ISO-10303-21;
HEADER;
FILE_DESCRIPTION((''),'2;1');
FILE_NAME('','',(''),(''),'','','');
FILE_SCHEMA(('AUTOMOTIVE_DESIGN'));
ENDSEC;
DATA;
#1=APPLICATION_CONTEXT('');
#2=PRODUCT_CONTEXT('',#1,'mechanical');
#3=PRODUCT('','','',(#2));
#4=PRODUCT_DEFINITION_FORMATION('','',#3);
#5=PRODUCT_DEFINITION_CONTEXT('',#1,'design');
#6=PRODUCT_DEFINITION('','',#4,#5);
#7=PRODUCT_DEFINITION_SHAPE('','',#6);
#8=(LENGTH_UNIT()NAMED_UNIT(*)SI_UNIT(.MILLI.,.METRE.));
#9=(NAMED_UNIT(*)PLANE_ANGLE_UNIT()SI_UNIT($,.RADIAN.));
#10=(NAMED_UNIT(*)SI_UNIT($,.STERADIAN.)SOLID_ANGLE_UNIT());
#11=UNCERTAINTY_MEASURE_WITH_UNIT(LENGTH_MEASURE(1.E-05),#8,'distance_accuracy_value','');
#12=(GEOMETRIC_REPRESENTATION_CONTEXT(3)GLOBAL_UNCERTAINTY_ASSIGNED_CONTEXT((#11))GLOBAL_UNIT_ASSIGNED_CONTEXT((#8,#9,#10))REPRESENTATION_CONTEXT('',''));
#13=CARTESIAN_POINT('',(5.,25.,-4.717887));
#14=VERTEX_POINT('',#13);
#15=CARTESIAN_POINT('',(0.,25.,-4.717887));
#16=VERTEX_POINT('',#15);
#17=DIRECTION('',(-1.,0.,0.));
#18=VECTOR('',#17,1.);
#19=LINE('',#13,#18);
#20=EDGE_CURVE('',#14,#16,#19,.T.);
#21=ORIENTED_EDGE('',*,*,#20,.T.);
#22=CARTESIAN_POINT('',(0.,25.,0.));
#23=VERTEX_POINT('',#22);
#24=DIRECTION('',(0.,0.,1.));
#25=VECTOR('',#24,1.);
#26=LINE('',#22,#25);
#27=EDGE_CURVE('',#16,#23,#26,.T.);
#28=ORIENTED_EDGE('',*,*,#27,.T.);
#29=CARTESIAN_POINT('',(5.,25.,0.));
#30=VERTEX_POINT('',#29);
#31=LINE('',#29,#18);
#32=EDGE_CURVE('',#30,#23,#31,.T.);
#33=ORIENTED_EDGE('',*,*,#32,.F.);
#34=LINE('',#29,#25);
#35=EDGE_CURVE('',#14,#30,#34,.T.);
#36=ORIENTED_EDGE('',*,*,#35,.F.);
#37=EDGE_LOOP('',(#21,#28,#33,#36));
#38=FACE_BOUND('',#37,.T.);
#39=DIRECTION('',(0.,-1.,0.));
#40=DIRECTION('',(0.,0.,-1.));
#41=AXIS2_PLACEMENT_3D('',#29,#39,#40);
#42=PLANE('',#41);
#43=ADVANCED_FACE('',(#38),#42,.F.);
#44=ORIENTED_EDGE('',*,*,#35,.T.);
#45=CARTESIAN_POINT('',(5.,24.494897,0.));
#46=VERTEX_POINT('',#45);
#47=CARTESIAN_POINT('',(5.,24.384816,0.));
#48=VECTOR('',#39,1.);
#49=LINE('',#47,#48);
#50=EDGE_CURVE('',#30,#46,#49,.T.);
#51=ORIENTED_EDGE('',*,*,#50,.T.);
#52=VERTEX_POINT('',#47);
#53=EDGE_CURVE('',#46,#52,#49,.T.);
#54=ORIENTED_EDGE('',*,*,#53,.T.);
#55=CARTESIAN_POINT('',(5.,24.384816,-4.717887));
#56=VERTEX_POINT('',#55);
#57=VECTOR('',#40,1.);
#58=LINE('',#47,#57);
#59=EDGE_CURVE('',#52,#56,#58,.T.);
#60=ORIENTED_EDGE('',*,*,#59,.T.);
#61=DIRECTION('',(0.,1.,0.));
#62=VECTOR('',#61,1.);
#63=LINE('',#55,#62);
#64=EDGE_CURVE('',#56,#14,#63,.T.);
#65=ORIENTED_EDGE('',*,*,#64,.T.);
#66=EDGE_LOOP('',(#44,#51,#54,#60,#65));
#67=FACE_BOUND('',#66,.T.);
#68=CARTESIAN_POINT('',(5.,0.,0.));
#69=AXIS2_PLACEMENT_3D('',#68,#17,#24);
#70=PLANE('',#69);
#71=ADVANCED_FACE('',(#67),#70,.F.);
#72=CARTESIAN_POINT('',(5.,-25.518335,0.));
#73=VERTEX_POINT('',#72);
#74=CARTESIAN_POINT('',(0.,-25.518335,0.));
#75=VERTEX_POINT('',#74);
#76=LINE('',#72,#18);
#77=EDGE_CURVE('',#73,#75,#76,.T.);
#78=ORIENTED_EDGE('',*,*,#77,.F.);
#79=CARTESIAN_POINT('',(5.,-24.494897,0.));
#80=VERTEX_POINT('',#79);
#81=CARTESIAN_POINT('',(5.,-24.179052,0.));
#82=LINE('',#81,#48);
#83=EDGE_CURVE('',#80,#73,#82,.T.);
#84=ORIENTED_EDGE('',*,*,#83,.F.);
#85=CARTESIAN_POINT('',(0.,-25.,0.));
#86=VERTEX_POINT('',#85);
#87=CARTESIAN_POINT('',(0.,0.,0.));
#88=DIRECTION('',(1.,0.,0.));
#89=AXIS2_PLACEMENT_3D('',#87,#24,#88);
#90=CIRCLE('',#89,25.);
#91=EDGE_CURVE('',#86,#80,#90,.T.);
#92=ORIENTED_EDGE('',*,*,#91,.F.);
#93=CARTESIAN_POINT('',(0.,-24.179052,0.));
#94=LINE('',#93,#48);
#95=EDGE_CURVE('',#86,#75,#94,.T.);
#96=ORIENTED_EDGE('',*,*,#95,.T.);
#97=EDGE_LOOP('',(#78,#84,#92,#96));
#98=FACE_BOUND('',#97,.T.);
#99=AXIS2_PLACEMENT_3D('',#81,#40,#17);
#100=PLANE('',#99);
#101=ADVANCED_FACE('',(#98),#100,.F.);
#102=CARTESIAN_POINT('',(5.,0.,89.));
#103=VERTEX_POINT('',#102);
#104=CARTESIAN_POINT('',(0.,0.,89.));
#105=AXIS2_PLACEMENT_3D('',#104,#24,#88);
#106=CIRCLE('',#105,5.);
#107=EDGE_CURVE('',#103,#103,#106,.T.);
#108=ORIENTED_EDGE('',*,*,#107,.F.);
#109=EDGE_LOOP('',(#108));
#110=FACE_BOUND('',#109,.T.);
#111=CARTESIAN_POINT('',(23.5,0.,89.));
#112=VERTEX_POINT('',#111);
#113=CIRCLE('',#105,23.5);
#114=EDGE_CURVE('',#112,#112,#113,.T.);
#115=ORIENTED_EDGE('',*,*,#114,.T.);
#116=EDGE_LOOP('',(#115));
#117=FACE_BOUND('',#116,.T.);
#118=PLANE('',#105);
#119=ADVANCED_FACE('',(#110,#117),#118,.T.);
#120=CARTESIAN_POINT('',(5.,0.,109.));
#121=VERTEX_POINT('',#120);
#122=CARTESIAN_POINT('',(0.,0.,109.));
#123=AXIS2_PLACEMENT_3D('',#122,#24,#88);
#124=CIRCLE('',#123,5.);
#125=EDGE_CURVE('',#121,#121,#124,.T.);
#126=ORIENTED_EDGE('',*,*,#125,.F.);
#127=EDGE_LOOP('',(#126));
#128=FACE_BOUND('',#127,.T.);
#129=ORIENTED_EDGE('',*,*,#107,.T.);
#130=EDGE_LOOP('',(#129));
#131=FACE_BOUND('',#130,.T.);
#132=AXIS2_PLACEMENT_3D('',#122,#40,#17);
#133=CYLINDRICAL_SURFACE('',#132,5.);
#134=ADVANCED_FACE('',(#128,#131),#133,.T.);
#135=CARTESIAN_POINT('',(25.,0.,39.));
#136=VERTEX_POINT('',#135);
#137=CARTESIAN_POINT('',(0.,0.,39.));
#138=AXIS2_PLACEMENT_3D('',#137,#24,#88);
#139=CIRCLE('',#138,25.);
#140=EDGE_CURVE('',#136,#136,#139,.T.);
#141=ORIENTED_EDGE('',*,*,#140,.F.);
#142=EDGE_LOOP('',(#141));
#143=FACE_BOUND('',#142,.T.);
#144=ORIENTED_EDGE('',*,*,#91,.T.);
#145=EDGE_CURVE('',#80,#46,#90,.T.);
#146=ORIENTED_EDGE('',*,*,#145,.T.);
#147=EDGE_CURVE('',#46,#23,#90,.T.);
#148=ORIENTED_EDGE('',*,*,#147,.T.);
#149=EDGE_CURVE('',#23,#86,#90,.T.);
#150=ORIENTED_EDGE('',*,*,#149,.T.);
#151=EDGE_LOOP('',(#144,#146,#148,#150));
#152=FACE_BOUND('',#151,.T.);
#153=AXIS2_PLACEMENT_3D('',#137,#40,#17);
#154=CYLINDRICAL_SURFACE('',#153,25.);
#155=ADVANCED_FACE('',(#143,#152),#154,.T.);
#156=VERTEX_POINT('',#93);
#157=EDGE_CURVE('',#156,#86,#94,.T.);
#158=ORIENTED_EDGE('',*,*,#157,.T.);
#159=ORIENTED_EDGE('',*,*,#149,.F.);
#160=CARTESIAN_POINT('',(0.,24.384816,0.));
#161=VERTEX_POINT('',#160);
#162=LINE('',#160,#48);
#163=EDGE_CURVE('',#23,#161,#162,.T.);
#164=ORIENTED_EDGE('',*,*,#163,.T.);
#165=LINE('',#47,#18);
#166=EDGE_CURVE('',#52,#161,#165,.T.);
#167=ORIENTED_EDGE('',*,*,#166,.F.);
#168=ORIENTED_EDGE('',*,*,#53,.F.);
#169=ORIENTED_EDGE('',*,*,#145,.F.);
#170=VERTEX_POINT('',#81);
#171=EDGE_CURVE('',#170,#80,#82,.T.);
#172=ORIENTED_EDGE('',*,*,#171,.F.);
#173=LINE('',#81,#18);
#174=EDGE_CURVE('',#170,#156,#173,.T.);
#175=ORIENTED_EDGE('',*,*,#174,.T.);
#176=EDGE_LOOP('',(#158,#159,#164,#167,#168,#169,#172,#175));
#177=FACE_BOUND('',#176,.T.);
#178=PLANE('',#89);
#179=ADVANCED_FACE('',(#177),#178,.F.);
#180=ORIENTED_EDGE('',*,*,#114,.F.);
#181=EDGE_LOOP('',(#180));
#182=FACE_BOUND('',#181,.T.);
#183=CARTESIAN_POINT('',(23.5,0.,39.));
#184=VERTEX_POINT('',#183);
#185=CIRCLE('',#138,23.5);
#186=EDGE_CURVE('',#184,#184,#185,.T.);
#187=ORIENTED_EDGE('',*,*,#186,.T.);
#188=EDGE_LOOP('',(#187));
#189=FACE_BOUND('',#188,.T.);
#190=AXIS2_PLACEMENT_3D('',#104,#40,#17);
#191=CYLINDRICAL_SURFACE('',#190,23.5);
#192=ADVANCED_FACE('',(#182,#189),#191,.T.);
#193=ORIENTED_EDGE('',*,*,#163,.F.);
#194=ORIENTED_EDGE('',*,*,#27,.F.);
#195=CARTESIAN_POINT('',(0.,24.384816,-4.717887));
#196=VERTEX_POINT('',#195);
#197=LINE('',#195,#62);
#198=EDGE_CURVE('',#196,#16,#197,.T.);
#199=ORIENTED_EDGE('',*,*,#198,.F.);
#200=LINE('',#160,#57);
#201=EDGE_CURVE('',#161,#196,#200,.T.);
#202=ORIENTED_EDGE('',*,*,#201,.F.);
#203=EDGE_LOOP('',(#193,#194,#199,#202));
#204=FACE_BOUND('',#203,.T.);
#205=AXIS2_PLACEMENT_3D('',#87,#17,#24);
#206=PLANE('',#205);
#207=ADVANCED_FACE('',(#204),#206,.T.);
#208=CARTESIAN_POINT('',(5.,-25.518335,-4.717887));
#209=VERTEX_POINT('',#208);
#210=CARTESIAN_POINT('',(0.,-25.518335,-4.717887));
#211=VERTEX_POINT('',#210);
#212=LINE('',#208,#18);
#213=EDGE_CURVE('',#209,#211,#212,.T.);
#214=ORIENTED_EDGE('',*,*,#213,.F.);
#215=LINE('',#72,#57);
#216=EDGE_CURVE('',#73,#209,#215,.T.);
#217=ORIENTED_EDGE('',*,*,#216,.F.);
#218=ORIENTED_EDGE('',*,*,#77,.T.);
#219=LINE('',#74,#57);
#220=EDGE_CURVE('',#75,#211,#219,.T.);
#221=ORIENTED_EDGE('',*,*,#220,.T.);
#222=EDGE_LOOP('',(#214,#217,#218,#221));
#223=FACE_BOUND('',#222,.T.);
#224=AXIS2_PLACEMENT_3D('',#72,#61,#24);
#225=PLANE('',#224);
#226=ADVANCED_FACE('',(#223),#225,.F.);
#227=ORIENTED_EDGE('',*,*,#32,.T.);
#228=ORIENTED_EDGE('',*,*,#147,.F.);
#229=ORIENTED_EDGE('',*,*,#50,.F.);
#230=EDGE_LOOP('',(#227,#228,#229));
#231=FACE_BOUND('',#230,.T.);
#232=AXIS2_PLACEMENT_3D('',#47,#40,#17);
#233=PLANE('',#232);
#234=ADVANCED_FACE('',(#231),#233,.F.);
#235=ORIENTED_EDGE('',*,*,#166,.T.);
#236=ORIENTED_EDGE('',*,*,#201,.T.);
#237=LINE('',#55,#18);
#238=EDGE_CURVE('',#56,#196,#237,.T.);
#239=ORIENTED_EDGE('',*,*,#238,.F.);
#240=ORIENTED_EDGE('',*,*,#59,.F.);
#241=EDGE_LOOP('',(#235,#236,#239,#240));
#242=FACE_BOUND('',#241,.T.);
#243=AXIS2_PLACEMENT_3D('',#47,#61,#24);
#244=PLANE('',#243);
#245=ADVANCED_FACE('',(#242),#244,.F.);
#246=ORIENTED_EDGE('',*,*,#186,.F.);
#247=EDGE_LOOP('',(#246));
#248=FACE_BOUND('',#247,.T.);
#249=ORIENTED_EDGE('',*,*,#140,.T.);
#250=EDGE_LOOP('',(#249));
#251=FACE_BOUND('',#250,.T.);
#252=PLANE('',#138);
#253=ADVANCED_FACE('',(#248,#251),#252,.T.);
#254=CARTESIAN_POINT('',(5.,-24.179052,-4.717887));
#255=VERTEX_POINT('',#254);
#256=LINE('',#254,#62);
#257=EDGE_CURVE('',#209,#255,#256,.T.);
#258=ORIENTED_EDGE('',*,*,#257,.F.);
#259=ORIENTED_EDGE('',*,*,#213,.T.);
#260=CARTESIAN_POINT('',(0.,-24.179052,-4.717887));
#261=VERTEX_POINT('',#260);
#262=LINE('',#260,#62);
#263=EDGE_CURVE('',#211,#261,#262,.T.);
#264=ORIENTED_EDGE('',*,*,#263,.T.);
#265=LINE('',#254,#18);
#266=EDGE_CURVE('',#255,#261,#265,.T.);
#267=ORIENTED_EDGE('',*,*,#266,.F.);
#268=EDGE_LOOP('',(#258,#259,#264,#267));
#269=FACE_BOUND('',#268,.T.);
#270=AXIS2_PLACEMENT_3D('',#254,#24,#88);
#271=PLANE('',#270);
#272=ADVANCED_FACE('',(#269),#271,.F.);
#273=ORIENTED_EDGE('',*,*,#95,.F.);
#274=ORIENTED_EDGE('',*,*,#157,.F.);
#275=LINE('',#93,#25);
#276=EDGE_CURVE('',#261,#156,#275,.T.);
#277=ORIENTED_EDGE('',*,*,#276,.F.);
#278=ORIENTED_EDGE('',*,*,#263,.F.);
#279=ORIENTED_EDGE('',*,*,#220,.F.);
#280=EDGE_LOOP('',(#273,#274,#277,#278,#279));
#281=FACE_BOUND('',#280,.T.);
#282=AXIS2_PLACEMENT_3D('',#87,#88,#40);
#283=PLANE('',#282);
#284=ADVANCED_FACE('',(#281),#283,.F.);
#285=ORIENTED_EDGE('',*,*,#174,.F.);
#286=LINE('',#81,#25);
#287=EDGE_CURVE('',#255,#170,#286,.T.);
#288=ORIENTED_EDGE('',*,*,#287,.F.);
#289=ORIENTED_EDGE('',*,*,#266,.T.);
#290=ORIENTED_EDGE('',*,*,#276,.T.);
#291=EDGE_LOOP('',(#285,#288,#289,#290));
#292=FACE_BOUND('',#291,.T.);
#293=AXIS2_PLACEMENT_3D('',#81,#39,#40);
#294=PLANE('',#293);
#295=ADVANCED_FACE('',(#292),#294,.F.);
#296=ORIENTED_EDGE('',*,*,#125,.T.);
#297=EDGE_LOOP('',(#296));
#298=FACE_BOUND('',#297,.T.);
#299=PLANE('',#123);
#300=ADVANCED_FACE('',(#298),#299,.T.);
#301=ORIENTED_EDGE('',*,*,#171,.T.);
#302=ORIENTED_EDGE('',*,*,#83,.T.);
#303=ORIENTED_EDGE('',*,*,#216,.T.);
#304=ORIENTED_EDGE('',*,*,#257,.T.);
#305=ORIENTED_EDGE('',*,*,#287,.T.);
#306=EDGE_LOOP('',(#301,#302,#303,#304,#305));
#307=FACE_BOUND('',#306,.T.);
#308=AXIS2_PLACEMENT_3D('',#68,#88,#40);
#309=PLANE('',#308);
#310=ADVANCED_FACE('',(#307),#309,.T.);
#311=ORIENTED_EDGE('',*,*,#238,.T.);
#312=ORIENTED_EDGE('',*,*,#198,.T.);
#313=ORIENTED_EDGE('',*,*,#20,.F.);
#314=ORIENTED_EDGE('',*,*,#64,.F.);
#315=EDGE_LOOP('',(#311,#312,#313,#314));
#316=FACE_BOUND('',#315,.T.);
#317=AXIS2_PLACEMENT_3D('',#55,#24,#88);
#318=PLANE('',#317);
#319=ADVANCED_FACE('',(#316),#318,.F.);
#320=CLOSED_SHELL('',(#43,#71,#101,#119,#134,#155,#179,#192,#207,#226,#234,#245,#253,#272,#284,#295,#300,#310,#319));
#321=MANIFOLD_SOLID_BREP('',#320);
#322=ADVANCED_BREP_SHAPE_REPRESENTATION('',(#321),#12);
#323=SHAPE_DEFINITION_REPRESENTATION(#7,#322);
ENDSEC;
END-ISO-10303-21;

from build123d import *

# Parameters (mm, degrees)
SKETCH1_R           = 25
BOSS_EXTRUDE1_DEPTH = 39
SKETCH2_R           = 23.5
BOSS_EXTRUDE2_DEPTH = 50
SKETCH3_R           = 5
BOSS_EXTRUDE3_DEPTH = 20
SKETCH4_W           = 4.717886869
SKETCH4_H           = 0.61518364
SKETCH4_H_2         = 1.339282812
BOSS_EXTRUDE4_DEPTH = 5


with BuildPart() as part:
    # Sketch1 → Boss-Extrude1 (new body)
    with BuildSketch(Plane.XY):
        Circle(SKETCH1_R)
    extrude(amount=BOSS_EXTRUDE1_DEPTH)

    # Sketch2 → Boss-Extrude2 (add)
    with BuildSketch(Plane.XY.offset(39)):
        Circle(SKETCH2_R)
    extrude(amount=BOSS_EXTRUDE2_DEPTH)

    # Sketch3 → Boss-Extrude3 (add)
    with BuildSketch(Plane.XY.offset(89)):
        Circle(SKETCH3_R)
    extrude(amount=BOSS_EXTRUDE3_DEPTH)

    # Sketch4 → Boss-Extrude4 (add)
    with BuildSketch(Plane(origin=(0, 0, 0), x_dir=(0, 0, -1), z_dir=(1, 0, 0))):
        with Locations((2.358943434, 24.69240818)):
            Rectangle(SKETCH4_W, SKETCH4_H)
        with Locations((2.358943434, -24.848693341)):
            Rectangle(SKETCH4_W, SKETCH4_H_2)
    extrude(amount=BOSS_EXTRUDE4_DEPTH)


solid = part.part
